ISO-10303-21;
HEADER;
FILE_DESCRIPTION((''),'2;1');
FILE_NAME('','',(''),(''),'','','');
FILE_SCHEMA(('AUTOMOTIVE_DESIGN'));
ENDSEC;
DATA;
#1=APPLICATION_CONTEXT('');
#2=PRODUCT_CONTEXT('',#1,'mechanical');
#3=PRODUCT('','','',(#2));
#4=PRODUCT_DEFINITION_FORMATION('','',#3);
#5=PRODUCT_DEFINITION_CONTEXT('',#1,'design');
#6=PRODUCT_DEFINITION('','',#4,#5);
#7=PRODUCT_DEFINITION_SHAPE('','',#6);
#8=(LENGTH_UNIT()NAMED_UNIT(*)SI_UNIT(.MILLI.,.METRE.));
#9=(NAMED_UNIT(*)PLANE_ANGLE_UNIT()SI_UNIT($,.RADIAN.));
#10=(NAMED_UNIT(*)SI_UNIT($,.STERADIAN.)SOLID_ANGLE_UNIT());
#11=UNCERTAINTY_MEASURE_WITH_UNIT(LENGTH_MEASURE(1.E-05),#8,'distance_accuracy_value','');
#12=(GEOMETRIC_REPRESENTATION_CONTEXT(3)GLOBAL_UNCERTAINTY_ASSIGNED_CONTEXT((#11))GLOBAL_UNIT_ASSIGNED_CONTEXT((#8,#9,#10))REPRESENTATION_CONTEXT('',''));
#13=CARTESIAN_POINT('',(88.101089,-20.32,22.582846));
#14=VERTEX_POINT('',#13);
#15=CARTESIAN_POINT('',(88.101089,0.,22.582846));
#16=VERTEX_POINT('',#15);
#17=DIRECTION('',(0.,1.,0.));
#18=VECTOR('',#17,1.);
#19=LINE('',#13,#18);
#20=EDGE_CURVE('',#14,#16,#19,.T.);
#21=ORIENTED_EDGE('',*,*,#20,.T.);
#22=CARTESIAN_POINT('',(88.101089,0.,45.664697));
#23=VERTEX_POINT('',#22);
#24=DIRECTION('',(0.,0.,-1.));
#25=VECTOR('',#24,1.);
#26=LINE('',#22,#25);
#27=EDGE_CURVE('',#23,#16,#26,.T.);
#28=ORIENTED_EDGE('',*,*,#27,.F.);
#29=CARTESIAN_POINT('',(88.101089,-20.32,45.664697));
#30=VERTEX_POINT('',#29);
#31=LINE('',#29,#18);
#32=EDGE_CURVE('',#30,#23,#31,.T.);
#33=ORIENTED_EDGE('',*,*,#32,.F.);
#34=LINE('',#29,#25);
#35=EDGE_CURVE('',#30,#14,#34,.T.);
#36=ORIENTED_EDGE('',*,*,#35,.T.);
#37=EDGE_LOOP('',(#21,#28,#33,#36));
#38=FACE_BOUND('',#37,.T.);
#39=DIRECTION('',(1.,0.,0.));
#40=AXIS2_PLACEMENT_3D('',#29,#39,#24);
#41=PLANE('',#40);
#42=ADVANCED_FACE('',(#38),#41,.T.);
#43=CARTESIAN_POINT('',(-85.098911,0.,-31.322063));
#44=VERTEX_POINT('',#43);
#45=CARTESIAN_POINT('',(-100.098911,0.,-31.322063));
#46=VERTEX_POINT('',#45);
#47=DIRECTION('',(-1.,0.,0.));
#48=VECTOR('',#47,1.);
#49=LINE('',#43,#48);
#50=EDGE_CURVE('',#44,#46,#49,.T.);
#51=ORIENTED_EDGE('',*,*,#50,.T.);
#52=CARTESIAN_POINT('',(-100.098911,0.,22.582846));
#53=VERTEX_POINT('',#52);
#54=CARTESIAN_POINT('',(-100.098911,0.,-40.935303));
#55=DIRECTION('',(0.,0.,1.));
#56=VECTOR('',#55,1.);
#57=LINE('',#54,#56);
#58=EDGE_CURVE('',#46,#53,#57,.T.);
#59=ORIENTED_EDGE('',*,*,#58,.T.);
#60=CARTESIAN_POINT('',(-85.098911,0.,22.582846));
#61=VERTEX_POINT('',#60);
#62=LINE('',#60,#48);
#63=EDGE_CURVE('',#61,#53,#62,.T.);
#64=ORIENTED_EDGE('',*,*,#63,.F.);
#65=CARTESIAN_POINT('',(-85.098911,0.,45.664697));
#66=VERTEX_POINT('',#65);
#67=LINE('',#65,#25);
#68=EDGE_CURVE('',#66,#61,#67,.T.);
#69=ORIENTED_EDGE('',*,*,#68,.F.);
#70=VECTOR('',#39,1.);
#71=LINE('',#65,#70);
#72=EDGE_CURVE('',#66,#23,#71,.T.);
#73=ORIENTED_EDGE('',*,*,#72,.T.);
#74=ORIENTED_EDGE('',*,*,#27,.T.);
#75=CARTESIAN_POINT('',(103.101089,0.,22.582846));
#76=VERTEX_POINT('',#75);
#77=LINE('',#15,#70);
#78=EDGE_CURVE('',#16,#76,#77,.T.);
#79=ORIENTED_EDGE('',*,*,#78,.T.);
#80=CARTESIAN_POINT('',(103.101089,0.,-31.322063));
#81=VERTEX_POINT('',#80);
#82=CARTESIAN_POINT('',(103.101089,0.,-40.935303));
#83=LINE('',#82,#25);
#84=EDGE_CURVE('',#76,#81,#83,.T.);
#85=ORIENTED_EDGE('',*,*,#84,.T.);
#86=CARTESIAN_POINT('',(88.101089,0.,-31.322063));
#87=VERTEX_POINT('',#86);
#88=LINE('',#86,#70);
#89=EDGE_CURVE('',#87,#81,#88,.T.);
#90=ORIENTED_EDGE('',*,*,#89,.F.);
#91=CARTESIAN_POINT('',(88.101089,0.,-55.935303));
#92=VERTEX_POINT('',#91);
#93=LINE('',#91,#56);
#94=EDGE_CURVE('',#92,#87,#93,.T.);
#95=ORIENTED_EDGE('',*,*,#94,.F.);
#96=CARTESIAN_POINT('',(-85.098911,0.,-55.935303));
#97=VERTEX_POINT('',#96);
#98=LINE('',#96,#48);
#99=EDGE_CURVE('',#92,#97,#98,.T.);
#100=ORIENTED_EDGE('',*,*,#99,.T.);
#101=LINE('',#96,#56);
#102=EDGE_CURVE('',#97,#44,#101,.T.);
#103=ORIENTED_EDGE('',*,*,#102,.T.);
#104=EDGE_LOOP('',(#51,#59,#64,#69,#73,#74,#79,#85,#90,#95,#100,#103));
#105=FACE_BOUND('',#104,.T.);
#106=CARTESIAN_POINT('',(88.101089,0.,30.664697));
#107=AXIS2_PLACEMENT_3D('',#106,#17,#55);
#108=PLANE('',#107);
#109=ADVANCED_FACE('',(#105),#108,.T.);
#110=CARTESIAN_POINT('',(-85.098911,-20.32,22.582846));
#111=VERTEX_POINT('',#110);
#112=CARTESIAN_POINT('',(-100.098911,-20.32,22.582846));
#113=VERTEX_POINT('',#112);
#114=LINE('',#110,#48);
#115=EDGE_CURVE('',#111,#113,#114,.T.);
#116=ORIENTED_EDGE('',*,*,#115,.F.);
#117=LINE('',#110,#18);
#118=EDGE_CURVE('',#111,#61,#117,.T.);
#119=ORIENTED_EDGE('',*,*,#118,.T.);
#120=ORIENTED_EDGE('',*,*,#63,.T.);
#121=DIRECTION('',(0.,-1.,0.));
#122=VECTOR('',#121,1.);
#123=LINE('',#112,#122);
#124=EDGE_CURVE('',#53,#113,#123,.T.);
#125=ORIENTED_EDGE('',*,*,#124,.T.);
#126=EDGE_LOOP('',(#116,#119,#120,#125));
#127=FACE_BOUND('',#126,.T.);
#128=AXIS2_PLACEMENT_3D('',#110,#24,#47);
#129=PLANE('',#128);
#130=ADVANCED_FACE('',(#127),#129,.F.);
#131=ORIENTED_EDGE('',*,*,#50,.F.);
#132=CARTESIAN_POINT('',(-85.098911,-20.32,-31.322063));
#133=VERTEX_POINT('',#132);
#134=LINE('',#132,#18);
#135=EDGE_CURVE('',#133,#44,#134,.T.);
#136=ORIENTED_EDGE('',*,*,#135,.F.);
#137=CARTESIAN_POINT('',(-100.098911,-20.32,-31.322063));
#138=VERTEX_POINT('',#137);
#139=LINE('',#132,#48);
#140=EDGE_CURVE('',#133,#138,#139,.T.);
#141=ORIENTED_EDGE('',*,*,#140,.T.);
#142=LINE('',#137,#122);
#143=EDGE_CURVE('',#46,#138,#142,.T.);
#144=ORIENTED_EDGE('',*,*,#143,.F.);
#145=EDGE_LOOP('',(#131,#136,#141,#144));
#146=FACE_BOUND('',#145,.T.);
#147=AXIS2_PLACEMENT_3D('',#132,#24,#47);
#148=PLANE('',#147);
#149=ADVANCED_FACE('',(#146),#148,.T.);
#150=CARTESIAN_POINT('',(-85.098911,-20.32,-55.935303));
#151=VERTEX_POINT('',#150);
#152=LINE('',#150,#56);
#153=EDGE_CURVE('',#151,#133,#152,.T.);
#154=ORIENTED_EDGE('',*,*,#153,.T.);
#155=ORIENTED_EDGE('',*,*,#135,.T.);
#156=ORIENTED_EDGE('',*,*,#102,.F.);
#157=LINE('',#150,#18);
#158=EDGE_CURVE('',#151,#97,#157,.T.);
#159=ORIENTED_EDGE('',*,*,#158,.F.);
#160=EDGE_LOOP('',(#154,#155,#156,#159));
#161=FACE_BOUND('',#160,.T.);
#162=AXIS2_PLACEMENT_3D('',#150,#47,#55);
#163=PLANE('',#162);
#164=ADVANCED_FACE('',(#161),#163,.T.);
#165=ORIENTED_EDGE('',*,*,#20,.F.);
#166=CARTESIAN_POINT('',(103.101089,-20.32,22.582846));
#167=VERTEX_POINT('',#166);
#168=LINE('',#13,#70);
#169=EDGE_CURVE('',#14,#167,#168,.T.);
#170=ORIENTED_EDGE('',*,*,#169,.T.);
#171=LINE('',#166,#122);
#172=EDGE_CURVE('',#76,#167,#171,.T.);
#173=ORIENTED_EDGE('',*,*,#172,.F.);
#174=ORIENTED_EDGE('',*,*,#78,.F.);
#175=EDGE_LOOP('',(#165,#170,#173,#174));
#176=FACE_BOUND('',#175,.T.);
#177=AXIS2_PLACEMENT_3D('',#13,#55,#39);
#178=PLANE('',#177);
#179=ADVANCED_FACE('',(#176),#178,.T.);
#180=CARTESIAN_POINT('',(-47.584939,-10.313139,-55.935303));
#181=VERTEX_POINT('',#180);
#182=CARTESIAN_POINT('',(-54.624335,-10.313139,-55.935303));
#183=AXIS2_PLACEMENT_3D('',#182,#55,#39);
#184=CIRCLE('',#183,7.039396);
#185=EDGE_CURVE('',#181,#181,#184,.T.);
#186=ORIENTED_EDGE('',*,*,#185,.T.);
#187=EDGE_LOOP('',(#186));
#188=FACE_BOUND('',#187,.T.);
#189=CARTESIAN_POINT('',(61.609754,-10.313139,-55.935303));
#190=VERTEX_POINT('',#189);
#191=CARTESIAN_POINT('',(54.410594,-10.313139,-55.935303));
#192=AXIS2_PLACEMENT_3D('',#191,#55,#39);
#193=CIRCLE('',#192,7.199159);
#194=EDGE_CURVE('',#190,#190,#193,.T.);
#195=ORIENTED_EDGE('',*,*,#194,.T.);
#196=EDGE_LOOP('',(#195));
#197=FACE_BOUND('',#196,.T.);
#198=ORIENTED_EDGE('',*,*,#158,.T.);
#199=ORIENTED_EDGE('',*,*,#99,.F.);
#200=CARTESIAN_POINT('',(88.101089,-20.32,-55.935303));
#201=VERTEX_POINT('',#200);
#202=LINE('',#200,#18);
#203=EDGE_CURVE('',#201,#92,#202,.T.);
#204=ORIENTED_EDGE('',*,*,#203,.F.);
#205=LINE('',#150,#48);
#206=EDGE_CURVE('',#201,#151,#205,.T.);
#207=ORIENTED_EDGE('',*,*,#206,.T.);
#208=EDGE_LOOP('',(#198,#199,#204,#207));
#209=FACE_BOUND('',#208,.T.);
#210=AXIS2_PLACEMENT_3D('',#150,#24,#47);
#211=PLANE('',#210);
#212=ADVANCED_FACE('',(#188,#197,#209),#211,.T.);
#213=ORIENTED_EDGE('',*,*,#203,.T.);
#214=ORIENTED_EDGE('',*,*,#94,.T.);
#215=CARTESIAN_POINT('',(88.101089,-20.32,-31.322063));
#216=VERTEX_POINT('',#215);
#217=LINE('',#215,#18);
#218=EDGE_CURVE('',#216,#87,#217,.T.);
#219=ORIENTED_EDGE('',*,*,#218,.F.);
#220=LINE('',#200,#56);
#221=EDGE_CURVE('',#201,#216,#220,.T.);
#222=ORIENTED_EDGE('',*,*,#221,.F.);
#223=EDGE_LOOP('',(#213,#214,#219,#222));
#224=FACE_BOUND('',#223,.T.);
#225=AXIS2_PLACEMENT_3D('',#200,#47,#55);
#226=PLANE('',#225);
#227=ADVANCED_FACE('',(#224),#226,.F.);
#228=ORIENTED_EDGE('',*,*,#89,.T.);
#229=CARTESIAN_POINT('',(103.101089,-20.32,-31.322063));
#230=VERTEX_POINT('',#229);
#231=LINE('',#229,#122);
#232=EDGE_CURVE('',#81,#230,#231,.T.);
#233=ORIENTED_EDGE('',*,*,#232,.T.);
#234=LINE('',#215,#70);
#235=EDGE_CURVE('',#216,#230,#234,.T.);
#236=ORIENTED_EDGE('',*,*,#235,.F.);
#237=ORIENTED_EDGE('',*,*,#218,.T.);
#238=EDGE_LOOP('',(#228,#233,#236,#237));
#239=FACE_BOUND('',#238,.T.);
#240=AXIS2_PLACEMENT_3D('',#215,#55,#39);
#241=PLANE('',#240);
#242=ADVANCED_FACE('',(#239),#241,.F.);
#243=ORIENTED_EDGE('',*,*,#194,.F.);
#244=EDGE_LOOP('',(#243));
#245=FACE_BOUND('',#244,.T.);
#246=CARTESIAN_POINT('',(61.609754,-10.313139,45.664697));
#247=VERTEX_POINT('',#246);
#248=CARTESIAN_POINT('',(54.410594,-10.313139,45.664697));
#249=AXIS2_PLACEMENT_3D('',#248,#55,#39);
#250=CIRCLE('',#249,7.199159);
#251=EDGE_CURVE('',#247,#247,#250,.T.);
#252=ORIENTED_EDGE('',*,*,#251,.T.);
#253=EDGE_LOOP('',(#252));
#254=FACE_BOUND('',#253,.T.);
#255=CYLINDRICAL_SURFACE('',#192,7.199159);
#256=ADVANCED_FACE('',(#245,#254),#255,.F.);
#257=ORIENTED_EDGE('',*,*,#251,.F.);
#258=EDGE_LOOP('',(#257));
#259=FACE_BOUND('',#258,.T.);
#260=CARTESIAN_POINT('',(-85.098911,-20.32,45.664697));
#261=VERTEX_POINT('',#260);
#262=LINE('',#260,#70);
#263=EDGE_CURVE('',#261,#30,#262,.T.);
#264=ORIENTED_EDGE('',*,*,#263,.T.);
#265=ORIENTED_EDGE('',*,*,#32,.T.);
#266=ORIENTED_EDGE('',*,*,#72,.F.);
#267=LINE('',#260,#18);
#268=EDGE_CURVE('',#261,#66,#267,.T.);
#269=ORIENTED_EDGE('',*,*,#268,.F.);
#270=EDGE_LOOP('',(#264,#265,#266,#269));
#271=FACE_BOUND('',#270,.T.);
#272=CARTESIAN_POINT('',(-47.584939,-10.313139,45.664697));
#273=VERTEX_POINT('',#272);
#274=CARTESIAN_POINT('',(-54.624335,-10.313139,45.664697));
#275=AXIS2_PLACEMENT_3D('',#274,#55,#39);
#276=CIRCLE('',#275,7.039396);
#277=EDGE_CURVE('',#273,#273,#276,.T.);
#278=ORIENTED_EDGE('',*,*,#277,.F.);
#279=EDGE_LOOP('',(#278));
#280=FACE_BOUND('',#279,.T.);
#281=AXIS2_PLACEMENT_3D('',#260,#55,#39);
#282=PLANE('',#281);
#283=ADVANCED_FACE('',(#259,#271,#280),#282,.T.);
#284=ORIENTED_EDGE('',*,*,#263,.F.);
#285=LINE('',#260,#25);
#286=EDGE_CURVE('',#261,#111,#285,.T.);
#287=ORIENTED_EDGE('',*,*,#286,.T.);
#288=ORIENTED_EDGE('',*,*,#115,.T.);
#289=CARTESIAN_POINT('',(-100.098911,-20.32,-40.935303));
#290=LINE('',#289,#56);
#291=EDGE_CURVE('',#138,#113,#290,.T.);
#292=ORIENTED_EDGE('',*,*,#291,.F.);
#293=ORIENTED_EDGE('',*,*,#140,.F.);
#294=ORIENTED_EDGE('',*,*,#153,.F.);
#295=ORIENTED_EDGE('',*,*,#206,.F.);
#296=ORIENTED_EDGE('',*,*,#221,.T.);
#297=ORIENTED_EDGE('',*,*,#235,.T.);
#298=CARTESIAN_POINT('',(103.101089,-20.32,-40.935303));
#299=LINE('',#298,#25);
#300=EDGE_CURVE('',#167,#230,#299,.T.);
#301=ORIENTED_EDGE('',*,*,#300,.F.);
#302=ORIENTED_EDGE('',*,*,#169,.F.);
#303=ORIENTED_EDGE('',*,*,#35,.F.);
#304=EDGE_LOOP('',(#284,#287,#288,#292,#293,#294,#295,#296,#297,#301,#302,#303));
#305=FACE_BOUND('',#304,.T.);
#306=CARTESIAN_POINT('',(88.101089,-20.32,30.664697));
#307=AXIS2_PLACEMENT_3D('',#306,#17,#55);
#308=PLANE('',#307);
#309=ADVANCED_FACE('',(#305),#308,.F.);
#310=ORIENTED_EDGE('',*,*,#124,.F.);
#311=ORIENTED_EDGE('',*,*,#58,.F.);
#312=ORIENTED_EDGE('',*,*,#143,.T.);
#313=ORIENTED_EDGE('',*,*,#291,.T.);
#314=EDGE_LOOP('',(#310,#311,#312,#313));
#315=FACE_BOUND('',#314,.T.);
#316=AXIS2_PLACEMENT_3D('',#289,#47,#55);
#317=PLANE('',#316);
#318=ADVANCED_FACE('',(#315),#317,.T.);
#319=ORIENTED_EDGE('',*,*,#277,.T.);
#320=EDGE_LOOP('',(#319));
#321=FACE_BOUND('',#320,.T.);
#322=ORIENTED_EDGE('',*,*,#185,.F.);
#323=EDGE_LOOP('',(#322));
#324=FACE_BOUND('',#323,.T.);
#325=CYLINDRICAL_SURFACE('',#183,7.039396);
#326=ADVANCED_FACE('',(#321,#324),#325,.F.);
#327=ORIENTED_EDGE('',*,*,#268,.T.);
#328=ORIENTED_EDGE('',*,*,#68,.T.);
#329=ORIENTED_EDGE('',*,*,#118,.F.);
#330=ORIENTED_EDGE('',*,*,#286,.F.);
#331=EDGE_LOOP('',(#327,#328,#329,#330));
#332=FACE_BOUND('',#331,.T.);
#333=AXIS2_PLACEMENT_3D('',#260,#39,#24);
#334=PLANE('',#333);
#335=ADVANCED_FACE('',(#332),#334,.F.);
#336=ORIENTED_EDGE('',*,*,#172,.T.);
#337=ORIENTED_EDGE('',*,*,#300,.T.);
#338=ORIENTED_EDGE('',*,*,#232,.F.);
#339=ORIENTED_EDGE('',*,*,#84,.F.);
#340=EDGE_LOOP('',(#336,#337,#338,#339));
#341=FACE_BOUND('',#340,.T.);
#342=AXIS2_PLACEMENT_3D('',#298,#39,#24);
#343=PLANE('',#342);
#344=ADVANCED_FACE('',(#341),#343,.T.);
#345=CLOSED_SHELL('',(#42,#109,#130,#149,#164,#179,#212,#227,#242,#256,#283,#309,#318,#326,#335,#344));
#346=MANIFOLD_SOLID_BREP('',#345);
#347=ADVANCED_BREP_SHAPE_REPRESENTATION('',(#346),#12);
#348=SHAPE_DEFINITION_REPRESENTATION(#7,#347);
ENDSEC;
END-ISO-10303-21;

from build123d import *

# Parameters (mm, degrees)
BOSS_EXTRUDE1_DEPTH = 20.32
SKETCH3_W           = 23.583471357
SKETCH3_H           = 24.613240303
SKETCH3_H_2         = 23.081850847
SKETCH3_W_2         = 25.880555541
CUT_EXTRUDE1_DEPTH  = 120.044088604
SKETCH4_R           = 7.199159396
CUT_EXTRUDE2_DEPTH  = 147.168727436
SKETCH5_R           = 7.199159396
SKETCH5_R_2         = 7.039396065
CUT_EXTRUDE4_DEPTH  = 147.168727436


with BuildPart() as part:
    # Sketch2 → Boss-Extrude1 (new body)
    with BuildSketch(Plane(origin=(0, 0, 0), x_dir=(1, 0, 0), z_dir=(0, 1, 0))):
        with BuildLine():
            Line((-85.098911353, 55.935303266), (88.101088647, 55.935303266))
            ThreePointArc((88.101088647, 55.935303266), (98.707690365, 51.541904984), (103.101088647, 40.935303266))
            Line((103.101088647, 40.935303266), (103.101088647, -30.664696734))
            ThreePointArc((103.101088647, -30.664696734), (98.707690365, -41.271298452), (88.101088647, -45.664696734))
            Line((88.101088647, -45.664696734), (-85.098911353, -45.664696734))
            ThreePointArc((-85.098911353, -45.664696734), (-95.705513071, -41.271298452), (-100.098911353, -30.664696734))
            Line((-100.098911353, -30.664696734), (-100.098911353, 40.935303266))
            ThreePointArc((-100.098911353, 40.935303266), (-95.705513071, 51.541904984), (-85.098911353, 55.935303266))
        make_face()
    extrude(amount=-BOSS_EXTRUDE1_DEPTH)

    # Sketch3 → Cut-Extrude1 (cut, through all)
    with BuildSketch(Plane(origin=(0, 0, 0), x_dir=(1, 0, 0), z_dir=(0, 1, 0))):
        with Locations((99.892824326, 43.628683115)):
            Rectangle(SKETCH3_W, SKETCH3_H)
        with Locations((99.892824326, -34.123771311)):
            Rectangle(SKETCH3_W, SKETCH3_H_2)
        with Locations((-98.039189124, 43.628683115)):
            Rectangle(SKETCH3_W_2, SKETCH3_H)
        with Locations((-98.039189124, -34.123771311)):
            Rectangle(SKETCH3_W_2, SKETCH3_H_2)
    extrude(amount=-CUT_EXTRUDE1_DEPTH, mode=Mode.SUBTRACT)

    # Sketch4 → Cut-Extrude2 (cut, through all)
    with BuildSketch(Plane.XY.offset(45.664696734)):
        with Locations((54.410594351, -10.313138946)):
            Circle(SKETCH4_R)
    extrude(amount=-CUT_EXTRUDE2_DEPTH, mode=Mode.SUBTRACT)

    # Sketch5 → Cut-Extrude4 (cut, through all)
    with BuildSketch(Plane.XY.offset(45.664696734)):
        with Locations((54.410594351, -10.313138946)):
            Circle(SKETCH5_R)
        with Locations((-54.624334914, -10.313138946)):
            Circle(SKETCH5_R_2)
    extrude(amount=-CUT_EXTRUDE4_DEPTH, mode=Mode.SUBTRACT)


solid = part.part
